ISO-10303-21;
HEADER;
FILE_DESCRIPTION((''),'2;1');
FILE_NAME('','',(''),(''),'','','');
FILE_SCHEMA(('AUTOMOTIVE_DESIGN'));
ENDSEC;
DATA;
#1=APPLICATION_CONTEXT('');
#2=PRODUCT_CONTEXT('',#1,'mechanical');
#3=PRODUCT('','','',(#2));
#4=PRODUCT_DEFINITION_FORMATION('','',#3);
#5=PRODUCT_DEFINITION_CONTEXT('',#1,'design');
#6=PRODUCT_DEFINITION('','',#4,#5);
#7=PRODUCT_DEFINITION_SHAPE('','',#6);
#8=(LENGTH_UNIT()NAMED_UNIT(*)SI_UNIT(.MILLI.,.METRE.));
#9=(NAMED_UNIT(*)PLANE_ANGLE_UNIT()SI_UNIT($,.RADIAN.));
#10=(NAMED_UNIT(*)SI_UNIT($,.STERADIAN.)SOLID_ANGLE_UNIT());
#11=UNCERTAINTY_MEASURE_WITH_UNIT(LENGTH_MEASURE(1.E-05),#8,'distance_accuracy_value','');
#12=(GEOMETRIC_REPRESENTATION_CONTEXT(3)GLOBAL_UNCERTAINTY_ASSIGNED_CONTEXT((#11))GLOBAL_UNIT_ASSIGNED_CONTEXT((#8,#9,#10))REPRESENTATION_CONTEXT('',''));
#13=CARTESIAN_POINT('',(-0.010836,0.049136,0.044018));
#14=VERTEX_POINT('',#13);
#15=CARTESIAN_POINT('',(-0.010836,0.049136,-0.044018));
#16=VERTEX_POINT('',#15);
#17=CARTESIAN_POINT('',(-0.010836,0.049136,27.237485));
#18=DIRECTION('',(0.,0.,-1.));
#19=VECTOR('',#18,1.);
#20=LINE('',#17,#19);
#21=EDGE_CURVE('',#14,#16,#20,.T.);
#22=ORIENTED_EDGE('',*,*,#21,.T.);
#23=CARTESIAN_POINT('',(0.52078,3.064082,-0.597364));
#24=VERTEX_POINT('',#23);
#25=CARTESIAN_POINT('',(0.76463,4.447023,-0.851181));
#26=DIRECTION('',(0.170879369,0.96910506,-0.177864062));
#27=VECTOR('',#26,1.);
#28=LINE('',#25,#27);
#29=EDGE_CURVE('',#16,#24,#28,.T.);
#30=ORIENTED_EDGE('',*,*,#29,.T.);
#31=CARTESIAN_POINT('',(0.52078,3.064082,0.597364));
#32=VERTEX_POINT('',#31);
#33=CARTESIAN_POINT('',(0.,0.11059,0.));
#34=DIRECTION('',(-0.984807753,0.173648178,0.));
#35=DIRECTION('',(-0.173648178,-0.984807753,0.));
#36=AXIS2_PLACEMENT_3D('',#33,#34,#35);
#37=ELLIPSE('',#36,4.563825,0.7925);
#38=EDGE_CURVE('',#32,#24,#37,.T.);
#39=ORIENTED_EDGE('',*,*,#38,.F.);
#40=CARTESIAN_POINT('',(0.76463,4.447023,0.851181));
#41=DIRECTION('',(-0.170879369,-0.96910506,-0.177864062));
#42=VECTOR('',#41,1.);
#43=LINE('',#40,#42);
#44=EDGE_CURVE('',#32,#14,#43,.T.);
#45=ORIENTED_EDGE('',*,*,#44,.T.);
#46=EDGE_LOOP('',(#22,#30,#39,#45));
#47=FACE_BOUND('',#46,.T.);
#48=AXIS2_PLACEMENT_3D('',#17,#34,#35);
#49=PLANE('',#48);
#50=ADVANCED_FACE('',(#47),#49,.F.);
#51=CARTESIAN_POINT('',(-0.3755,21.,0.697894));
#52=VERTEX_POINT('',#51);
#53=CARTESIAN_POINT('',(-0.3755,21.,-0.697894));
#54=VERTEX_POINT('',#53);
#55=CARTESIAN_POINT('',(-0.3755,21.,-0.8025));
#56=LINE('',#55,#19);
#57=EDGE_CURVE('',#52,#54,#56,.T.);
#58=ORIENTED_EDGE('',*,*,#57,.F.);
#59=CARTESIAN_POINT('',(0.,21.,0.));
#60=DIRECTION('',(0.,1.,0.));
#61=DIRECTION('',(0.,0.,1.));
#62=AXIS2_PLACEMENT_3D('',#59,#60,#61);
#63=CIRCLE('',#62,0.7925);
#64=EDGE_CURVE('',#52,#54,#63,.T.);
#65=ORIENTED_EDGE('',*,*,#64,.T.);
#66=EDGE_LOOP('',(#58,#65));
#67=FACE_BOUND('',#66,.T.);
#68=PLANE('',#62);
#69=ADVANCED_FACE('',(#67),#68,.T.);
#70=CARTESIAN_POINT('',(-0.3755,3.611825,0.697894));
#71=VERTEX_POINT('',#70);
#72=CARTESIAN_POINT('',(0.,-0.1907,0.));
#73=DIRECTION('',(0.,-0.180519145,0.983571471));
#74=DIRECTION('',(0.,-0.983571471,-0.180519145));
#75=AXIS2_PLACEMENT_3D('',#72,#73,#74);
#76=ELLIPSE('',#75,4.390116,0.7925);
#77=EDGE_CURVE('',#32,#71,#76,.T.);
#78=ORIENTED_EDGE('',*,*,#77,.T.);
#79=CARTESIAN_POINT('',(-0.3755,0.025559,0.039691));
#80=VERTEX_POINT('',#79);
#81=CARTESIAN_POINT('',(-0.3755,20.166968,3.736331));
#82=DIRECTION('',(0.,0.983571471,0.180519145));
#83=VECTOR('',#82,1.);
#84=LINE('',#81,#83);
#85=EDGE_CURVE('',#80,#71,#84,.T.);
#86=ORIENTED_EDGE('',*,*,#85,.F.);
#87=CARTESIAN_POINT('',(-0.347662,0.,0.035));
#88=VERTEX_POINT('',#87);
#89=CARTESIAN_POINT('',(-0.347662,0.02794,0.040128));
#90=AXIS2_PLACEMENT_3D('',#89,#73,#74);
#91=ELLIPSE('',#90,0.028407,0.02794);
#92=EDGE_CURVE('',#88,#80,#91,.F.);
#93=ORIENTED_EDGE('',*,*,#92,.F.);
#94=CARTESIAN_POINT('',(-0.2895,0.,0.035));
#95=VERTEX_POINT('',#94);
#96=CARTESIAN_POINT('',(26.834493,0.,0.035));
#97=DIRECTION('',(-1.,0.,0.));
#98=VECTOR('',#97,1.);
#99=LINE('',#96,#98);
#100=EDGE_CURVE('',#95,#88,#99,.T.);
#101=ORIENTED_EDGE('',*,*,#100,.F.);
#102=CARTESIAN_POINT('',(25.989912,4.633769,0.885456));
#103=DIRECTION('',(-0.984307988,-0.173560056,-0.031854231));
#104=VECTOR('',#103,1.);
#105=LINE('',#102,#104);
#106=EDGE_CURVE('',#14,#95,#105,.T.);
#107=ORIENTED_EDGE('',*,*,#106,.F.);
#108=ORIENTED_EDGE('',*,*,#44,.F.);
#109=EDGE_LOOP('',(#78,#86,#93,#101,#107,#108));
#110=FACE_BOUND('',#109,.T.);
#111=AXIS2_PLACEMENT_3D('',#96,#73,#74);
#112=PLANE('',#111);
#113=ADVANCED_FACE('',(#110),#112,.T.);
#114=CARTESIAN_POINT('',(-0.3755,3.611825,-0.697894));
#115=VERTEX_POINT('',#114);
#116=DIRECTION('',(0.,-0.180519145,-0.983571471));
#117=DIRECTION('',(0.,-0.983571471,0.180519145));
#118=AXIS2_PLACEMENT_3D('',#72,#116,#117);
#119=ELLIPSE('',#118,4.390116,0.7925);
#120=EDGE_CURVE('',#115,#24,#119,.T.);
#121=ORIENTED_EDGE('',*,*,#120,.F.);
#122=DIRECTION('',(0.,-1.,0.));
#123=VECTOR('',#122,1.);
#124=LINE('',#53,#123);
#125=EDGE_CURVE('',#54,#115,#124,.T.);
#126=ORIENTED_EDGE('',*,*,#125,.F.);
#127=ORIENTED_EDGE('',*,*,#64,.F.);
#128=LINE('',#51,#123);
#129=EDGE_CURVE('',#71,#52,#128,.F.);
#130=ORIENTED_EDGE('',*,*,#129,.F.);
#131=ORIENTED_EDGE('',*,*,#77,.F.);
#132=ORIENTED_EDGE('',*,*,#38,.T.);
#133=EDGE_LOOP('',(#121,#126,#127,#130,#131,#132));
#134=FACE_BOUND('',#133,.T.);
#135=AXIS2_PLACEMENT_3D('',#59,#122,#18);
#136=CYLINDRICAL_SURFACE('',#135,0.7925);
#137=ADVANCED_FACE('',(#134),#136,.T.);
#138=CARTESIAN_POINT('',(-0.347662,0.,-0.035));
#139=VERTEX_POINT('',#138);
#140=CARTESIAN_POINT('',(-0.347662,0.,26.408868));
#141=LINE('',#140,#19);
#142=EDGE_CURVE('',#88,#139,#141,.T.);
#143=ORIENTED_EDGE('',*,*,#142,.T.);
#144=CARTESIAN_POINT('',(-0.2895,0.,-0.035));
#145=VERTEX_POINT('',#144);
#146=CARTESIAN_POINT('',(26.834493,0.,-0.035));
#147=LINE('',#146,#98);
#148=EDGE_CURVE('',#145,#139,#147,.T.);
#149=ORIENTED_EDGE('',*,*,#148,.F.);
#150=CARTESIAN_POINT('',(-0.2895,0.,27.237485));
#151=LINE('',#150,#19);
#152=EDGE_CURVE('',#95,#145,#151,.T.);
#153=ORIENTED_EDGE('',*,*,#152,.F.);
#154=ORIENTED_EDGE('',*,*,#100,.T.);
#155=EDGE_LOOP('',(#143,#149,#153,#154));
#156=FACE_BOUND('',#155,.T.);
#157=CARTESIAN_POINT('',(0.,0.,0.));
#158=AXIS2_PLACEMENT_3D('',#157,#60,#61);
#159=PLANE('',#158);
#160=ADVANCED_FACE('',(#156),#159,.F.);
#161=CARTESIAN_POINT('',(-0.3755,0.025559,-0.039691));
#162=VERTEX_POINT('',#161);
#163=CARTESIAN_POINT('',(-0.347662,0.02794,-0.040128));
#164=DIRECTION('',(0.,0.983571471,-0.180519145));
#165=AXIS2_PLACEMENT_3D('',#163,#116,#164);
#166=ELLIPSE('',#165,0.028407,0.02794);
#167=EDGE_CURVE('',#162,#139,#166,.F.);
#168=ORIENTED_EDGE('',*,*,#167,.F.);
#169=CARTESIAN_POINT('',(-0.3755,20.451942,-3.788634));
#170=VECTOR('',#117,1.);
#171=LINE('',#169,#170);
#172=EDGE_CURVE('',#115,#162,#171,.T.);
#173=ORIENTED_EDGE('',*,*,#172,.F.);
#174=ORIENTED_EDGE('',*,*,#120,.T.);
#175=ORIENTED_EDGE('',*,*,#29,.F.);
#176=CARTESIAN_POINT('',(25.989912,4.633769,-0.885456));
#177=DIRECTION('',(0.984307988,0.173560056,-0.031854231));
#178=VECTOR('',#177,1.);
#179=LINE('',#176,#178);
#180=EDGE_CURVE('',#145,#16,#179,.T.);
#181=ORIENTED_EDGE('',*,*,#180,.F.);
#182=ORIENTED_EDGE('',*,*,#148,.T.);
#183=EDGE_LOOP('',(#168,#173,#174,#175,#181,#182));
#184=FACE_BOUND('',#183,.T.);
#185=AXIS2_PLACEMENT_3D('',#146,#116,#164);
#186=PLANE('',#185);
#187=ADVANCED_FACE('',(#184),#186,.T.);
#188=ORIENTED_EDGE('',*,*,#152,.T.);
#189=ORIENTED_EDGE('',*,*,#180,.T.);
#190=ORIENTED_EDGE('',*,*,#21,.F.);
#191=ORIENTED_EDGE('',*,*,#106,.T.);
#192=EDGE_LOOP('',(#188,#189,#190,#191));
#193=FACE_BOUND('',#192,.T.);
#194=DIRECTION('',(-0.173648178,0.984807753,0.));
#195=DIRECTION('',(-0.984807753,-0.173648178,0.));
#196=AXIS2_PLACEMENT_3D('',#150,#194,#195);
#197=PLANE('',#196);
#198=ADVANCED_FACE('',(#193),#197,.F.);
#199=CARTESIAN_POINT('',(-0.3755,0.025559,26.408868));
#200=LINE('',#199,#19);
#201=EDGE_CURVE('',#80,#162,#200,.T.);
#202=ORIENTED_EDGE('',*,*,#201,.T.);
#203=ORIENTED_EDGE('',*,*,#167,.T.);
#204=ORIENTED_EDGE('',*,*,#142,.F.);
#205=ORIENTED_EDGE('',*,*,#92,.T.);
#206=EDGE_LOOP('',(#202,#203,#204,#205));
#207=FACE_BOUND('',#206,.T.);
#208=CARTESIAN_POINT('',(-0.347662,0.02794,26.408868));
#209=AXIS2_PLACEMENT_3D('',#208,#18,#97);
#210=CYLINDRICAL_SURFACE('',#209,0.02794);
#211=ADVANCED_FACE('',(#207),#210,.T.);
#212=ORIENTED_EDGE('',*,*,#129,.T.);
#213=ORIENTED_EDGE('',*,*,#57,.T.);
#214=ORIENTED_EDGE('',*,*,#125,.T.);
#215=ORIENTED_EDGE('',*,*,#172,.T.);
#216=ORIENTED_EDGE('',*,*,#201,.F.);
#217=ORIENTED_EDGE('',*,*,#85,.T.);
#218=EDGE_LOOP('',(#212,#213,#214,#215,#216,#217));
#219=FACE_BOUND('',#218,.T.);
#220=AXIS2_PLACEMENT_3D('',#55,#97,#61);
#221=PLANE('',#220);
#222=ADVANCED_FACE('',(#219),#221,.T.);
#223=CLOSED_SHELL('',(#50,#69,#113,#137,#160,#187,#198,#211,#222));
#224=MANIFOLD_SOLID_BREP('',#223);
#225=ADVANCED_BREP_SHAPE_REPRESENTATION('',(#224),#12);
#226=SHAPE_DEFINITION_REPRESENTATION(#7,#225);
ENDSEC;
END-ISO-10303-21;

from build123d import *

# Parameters (mm, degrees)
TD_SKETCH_R                   = 0.792499939
TL_FEATURE_DEPTH              = 20.99999991
TDF_STD_SKETCH_W              = 1.604999838
TDF_STD_SKETCH_H              = 1.604999838
TDF_STD_FEATURE_DEPTH         = 22.02988608
ISA_20_STD_FEATURE_DEPTH      = 22.02988608
ISA_20_STD_FEATURE_DEPTH_BACK = 22.02988608
F_10BA_STD_FEATURE_DEPTH      = 22.02988608
F_10BA_STD_FEATURE_DEPTH_BACK = 22.02988608
FRO_STD_FEATURE_DEPTH         = 22.02988608
FRO_STD_FEATURE_DEPTH_BACK    = 22.02988608


with BuildPart() as part:
    # TD_sketch → TL_feature (new body)
    with BuildSketch(Plane(origin=(0, 0, 0), x_dir=(1, 0, 0), z_dir=(0, 1, 0))):
        Circle(TD_SKETCH_R)
    extrude(amount=TL_FEATURE_DEPTH)

    # TDF_STD_sketch → TDF_STD_feature (cut, through all)
    with BuildSketch(Plane(origin=(0, 0, 0), x_dir=(1, 0, 0), z_dir=(0, 1, 0))):
        with Locations((-1.17799993, 0)):
            Rectangle(TDF_STD_SKETCH_W, TDF_STD_SKETCH_H)
    extrude(amount=TDF_STD_FEATURE_DEPTH, mode=Mode.SUBTRACT)

    # ISA_20_STD_sketch → ISA_20_STD_feature (cut, two sides: drawn at the far end of the back side and taken through both)
    with BuildSketch(Plane(origin=(0, 0, 0), x_dir=(0, 0, -1), z_dir=(1, 0, 0)).offset(-ISA_20_STD_FEATURE_DEPTH_BACK)):
        Polygon((-13.462346915, 73.159859471), (-3.889221277, 20.99999991), (-0.035000057, 0), (0.035000057, 0), (3.889221277, 20.99999991), (13.462346915, 73.159859471), (13.462346915, -32.902305016), (-13.462346915, -32.902305016), align=None)
    extrude(amount=ISA_20_STD_FEATURE_DEPTH + ISA_20_STD_FEATURE_DEPTH_BACK, mode=Mode.SUBTRACT)

    # 10BA_STD_sketch → 10BA_STD_feature (cut, two sides: drawn at the far end of the back side and taken through both)
    with BuildSketch(Plane.XY.offset(-F_10BA_STD_FEATURE_DEPTH_BACK)):
        Polygon((-53.152802148, 0), (-0.375500011, 0), (-0.289499929, 0), (-0.010835963, 0.049135976), (3.683366618, 20.99999991), (12.848048956, 72.975496238), (91.13369141, 2.172017021), (25.132840305, -70.803479216), align=None)
    extrude(amount=F_10BA_STD_FEATURE_DEPTH + F_10BA_STD_FEATURE_DEPTH_BACK, mode=Mode.SUBTRACT)

    # FRO_STD_sketch → FRO_STD_feature (cut, two sides: drawn at the far end of the back side and taken through both)
    with BuildSketch(Plane.XY.offset(-FRO_STD_FEATURE_DEPTH_BACK)):
        with BuildLine():
            Line((-0.375601611, 52.089797523), (-0.375601611, 0.02794))
            ThreePointArc((-0.375601611, 0.02794), (-0.367418174, 0.008183437), (-0.347661611, 0))
            Line((-0.347661611, 0), (51.714195912, 0))
            Line((51.714195912, 0), (-21.91238908, -73.626584992))
            Line((-21.91238908, -73.626584992), (-74.002186603, -21.536787469))
            Line((-74.002186603, -21.536787469), (-0.375601611, 52.089797523))
        make_face()
    extrude(amount=FRO_STD_FEATURE_DEPTH + FRO_STD_FEATURE_DEPTH_BACK, mode=Mode.SUBTRACT)


solid = part.part
